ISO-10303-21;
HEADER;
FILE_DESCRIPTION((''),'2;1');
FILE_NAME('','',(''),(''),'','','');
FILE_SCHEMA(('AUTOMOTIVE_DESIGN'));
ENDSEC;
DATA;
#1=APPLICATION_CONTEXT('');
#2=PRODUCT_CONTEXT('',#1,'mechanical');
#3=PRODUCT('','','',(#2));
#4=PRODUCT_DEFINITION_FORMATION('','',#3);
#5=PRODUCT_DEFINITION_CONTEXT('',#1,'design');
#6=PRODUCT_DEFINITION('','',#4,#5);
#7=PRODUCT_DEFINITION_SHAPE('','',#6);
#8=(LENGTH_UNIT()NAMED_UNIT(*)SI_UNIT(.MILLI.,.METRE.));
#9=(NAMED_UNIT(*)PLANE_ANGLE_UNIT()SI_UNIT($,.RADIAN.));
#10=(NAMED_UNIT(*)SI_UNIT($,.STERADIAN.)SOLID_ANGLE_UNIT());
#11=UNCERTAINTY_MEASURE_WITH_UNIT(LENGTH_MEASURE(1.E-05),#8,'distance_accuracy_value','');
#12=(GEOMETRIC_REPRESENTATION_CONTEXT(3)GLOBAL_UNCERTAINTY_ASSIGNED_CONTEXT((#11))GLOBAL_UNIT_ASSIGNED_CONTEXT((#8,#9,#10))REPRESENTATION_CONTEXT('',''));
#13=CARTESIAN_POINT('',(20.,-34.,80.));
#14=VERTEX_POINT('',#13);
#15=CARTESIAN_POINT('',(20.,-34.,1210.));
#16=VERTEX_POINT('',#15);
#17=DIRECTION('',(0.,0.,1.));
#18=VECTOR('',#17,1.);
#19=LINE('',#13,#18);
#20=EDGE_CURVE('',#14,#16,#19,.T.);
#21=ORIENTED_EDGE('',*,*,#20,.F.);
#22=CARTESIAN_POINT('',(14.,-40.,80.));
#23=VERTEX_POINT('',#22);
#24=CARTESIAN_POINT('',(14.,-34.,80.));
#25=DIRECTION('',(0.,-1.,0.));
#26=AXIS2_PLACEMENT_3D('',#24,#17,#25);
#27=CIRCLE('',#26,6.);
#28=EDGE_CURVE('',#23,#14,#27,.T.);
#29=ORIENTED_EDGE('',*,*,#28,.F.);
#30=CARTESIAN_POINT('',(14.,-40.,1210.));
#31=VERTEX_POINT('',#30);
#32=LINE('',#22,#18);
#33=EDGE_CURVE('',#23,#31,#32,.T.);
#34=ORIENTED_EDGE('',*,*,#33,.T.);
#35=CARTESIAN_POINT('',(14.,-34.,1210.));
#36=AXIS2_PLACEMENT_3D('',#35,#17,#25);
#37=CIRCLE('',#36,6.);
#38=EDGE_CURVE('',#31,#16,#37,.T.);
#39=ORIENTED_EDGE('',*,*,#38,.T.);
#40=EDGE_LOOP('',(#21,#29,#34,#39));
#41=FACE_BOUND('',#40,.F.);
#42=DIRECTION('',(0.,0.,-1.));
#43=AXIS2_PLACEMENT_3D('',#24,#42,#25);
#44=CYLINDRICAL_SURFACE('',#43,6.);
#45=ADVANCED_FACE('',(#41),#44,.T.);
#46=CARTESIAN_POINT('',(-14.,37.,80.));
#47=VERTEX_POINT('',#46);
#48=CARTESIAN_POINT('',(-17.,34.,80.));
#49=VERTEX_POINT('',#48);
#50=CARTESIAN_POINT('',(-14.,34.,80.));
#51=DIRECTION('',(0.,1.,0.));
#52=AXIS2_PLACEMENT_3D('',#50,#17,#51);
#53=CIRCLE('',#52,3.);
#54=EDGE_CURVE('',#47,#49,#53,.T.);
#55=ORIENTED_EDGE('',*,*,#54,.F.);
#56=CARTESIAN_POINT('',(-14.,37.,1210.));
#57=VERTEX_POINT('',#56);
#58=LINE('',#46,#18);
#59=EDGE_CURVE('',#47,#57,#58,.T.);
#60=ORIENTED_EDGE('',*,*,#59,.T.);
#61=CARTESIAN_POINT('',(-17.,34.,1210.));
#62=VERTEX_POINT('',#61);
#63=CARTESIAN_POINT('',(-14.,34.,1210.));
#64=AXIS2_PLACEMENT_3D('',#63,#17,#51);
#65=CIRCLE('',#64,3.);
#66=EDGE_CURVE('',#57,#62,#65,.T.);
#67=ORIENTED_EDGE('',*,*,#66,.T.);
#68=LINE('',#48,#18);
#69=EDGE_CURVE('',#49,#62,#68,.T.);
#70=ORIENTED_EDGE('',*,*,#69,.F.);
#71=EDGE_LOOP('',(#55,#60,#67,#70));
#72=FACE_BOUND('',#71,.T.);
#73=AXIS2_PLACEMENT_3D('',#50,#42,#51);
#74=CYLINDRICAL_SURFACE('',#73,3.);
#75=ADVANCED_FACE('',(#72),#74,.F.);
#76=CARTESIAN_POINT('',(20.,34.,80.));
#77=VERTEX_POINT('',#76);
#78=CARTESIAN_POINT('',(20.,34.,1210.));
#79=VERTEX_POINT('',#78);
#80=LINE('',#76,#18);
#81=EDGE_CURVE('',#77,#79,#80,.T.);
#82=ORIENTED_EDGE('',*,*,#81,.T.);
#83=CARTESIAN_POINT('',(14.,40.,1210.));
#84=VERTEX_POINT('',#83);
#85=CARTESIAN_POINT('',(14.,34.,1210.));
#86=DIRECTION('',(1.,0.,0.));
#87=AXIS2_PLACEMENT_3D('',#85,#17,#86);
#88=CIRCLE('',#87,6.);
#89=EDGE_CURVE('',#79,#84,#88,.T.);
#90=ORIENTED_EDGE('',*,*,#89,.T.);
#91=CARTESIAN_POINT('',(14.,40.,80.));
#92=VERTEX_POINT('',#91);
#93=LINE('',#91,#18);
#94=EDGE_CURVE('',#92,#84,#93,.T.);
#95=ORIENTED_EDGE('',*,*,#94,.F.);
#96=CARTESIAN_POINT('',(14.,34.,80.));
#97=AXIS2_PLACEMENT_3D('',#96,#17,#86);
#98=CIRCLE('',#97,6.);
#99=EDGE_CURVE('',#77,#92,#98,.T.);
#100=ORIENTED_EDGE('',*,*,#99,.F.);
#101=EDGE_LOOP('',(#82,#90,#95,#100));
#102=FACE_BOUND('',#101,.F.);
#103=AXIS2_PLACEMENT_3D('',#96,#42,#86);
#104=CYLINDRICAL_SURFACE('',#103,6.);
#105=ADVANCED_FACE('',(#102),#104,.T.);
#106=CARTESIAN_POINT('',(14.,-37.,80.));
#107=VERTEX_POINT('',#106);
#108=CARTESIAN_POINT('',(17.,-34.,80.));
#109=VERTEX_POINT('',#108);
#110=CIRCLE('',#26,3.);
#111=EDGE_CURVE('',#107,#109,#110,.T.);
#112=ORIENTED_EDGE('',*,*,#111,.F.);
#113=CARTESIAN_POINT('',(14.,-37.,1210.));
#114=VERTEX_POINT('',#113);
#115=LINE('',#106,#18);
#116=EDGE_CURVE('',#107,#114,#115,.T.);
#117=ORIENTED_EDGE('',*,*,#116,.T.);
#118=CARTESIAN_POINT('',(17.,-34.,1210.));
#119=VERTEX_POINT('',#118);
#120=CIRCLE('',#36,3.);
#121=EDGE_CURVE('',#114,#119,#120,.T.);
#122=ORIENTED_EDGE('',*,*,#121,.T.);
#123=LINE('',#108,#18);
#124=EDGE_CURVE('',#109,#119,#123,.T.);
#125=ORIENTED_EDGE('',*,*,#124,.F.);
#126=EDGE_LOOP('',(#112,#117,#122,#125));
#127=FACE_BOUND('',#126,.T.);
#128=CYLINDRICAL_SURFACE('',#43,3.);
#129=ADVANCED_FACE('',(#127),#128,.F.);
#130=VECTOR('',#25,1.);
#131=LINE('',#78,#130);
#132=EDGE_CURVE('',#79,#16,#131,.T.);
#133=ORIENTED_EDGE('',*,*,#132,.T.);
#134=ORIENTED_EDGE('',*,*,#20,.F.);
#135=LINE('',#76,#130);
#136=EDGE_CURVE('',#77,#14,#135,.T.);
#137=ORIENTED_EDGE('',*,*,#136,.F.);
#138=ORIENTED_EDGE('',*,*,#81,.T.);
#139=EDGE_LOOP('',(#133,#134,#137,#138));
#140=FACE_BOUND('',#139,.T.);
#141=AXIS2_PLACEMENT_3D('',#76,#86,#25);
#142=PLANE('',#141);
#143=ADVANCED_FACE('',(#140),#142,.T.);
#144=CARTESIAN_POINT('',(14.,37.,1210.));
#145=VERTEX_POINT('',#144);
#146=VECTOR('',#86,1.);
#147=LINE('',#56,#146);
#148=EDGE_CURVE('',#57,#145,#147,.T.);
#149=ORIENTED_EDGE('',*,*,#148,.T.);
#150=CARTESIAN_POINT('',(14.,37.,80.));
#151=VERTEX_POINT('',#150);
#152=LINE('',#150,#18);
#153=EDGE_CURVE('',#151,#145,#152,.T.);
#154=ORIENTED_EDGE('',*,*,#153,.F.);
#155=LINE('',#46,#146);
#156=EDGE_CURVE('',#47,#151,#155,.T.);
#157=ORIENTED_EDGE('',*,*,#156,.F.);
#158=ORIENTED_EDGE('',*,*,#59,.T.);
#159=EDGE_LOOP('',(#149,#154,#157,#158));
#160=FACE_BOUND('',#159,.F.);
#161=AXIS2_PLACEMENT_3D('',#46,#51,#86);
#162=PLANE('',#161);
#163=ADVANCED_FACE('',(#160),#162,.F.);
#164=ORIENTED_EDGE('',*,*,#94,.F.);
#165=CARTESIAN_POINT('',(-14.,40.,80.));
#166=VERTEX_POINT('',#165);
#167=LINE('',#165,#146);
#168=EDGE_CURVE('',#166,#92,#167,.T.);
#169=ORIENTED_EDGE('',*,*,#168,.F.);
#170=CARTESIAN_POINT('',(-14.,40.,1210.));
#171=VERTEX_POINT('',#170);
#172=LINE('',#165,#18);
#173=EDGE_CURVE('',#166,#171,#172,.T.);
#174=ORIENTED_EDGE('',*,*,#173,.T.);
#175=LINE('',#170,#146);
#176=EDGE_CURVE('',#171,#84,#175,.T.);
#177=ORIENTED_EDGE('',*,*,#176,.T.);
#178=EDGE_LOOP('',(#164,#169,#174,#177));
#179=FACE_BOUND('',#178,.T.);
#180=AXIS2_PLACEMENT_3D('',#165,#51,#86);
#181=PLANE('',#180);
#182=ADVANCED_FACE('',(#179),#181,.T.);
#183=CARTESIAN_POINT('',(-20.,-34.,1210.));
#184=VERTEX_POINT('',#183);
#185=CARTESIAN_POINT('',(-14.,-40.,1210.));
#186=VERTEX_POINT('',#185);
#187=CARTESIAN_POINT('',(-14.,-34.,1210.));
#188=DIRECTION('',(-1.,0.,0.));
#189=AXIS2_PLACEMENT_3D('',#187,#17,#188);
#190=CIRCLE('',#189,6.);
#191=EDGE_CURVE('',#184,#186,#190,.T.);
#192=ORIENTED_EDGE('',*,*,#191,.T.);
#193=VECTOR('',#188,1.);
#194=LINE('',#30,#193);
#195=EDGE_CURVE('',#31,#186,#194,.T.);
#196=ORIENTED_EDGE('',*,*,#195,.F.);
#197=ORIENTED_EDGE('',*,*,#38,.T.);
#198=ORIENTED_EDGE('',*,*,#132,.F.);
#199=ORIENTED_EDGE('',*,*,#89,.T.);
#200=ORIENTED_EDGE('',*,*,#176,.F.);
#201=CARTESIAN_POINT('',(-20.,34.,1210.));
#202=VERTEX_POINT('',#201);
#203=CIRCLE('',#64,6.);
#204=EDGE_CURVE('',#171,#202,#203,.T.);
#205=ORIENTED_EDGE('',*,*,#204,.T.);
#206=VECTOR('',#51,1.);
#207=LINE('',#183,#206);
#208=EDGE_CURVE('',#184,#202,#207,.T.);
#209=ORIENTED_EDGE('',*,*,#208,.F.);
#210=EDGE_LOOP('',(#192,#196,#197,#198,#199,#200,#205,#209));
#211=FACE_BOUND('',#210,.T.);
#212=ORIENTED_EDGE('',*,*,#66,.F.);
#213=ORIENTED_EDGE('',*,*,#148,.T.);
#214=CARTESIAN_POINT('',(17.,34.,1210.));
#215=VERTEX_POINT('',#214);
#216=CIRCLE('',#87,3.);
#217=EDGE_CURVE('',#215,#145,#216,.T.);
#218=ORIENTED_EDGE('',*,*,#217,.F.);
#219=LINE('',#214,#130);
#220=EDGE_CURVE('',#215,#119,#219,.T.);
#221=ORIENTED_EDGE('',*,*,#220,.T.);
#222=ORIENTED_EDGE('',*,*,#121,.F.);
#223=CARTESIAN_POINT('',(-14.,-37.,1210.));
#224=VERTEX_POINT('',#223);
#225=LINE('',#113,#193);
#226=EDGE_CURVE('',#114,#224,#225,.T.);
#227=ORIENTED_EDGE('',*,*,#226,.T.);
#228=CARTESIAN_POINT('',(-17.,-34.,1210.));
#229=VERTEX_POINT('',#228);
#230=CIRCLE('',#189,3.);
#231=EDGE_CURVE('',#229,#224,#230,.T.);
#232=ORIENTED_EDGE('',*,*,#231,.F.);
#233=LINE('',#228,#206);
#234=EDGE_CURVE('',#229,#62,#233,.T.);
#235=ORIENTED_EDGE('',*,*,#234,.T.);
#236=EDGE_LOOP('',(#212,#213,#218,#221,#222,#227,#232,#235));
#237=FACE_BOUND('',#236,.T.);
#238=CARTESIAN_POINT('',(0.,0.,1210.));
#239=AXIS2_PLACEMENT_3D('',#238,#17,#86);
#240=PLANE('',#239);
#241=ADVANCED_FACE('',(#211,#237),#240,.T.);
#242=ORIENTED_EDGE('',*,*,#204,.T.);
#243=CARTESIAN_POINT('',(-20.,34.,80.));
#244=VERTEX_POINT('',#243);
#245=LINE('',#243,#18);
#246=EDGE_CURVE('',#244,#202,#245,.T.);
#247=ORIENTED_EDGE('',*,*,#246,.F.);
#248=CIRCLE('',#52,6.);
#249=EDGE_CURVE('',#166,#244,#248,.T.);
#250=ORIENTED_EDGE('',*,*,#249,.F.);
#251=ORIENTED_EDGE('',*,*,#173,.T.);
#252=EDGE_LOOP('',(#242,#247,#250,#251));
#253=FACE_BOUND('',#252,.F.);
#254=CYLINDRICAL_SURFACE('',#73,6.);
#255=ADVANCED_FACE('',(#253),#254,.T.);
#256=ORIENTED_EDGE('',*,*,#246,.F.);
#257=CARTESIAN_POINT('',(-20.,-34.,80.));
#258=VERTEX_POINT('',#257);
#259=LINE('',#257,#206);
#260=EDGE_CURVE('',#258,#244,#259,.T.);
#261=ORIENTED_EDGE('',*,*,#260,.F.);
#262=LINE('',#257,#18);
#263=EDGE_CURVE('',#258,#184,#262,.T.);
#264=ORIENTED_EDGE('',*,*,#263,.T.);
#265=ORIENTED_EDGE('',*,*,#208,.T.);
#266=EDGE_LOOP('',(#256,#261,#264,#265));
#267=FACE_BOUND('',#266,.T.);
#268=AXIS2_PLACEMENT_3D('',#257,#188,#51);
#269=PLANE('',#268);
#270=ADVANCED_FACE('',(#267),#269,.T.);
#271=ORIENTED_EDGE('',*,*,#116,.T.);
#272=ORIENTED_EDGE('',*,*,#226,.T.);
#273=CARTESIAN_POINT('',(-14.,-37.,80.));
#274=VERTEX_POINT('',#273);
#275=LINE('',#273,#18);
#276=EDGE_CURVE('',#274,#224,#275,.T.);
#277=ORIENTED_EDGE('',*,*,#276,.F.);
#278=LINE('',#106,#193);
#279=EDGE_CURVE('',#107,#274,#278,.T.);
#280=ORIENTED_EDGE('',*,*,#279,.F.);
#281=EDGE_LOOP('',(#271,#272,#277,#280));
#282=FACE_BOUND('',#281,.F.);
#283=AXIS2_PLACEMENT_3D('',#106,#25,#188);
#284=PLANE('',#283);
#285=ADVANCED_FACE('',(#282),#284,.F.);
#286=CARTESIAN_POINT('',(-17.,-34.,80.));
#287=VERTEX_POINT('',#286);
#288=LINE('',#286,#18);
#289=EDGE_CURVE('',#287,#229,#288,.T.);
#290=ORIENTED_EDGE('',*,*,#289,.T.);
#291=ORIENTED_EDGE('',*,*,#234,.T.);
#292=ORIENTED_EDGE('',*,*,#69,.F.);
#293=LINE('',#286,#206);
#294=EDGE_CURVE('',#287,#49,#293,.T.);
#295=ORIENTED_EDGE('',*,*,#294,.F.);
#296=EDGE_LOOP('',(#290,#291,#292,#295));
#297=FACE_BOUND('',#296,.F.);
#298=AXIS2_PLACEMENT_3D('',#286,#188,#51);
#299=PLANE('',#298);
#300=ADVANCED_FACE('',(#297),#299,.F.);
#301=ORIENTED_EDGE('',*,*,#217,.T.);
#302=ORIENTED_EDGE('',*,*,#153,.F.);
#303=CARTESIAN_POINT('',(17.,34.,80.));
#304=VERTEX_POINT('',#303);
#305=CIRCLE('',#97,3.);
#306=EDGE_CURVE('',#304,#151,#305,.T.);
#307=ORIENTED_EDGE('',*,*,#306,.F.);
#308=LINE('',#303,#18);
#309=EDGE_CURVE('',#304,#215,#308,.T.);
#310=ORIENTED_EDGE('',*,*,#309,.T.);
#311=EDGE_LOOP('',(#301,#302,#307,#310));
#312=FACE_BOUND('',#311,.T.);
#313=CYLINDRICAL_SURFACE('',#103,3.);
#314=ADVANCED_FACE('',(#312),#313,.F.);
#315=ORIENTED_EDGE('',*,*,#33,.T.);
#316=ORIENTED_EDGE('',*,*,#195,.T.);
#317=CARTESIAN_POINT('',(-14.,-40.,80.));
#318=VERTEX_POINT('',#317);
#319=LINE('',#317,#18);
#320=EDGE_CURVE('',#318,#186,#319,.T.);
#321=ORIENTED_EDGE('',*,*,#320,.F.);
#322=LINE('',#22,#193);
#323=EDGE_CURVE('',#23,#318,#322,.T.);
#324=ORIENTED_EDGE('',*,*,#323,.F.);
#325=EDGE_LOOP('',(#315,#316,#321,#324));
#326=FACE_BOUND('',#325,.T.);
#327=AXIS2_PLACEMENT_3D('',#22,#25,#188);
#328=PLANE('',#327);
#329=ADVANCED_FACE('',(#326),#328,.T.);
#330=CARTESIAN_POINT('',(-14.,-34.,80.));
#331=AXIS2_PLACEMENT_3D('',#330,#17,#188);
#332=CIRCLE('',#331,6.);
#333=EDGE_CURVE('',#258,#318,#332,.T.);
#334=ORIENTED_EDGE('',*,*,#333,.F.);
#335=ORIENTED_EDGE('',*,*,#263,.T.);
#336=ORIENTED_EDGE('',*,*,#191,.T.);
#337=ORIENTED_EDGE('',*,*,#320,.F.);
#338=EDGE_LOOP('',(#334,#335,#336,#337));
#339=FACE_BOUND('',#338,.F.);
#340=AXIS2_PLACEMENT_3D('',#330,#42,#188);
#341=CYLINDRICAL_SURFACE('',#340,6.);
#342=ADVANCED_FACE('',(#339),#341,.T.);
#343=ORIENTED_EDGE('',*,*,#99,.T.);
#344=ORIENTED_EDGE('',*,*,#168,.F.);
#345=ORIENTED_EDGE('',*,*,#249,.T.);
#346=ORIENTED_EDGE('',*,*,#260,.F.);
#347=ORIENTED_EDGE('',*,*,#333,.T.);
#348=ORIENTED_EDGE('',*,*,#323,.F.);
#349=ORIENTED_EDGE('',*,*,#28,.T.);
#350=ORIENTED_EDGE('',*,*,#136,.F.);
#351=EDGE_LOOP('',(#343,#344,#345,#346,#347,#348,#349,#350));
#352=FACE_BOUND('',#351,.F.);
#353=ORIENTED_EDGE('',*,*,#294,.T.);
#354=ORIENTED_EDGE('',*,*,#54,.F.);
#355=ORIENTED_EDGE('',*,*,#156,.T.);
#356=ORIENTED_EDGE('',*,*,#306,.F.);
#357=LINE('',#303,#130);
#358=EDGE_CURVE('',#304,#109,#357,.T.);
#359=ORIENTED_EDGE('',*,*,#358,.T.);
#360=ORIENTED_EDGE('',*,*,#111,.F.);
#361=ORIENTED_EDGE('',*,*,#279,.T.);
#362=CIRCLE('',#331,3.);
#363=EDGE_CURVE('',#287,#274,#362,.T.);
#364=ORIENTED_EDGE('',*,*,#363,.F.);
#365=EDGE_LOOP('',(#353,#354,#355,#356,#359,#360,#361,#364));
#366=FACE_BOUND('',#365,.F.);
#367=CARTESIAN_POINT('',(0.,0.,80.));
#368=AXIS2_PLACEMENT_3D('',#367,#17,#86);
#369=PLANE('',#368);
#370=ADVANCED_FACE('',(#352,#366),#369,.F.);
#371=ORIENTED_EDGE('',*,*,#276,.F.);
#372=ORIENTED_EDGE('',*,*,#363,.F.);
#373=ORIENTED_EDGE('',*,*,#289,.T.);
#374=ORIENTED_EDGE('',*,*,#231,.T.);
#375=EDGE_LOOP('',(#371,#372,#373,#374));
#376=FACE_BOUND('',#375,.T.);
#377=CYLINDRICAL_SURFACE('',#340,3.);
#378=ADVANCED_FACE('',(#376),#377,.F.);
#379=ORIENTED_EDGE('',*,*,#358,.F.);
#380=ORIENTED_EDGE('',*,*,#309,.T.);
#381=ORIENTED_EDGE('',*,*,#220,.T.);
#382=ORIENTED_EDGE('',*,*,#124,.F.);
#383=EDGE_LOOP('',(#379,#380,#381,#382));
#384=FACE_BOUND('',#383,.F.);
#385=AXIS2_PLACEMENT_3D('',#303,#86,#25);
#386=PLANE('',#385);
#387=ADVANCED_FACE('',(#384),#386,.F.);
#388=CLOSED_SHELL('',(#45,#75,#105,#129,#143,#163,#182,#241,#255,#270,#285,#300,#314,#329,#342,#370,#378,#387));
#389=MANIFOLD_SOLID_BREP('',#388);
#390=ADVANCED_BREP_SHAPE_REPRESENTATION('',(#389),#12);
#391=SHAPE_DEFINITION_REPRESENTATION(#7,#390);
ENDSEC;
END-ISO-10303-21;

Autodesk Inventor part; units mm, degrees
ref_plane "YZ Plane" through (0, 0, 0) normal (1, 0, 0) x (0, 1, 0)
ref_plane "Start Plane" through (0, 0, 80) normal (0, 0, 1) x (1, 0, 0)
ref_plane "End Plane" through (0, 0, 1210) normal (0, 0, 1) x (1, 0, 0)
sketch "Sketch" plane through (0, 0, 0) normal (0, 0, 1) x (1, 0, 0)
  line L0 (-20, -34) -> (-20, 34)
  line L1 (-14, 40) -> (14, 40)
  line L2 (20, 34) -> (20, -34)
  line L3 (14, -40) -> (-14, -40)
  arc A0 (-20, -34) -> (-14, -40) centre (-14, -34) ccw
  arc A1 (20, 34) -> (14, 40) centre (14, 34) ccw
  arc A2 (-14, 40) -> (-20, 34) centre (-14, 34) ccw
  arc A3 (14, -40) -> (20, -34) centre (14, -34) ccw
  arc A4 (-14, 37) -> (-17, 34) centre (-14, 34) ccw
  line L4 (-14, 37) -> (14, 37)
  arc A5 (17, 34) -> (14, 37) centre (14, 34) ccw
  line L5 (17, 34) -> (17, -34)
  arc A6 (14, -37) -> (17, -34) centre (14, -34) ccw
  line L6 (14, -37) -> (-14, -37)
  arc A7 (-17, -34) -> (-14, -37) centre (-14, -34) ccw
  line L7 (-17, -34) -> (-17, 34)
  line L8 (0, 57.7397) -> (0, -57.7397) construction
  line L9 (-29.7397, 0) -> (29.7397, 0) construction
  dimension "d7" = 6
  dimension "d9" = 40
  dimension "d11" = 80
  dimension "d12" = 3
  dimension "d15" = 20
  dimension "d16" = 40
extrude "Body" add sketch "Sketch" along normal up to surface (1130 mm away) from surface at 80
sketch "Sketch3" plane through (0, 0, 0) normal (0, 0, 1) x (1, 0, 0)
  line L0 (0, 0) -> (10, 0)
ref_plane "Work Plane3" through (0, 0, 0) normal (0, -1, 0) x (1, 0, 0)
sketch "Sketch4" plane through (0, 0, 0) normal (0, -1, 0) x (1, 0, 0)
  line L0 (-2, 80) -> (12, 80) projected
  line L1 (-2, 1210) -> (12, 1210) projected
  dimension "d18" = 1130
equation "\"d7\" = G_IR"
equation "\"d9\" = G_W"
equation "\"d11\" = G_H"
equation "\"d12\" = G_T"
equation "\"d15\" = 0.5 * d9"
equation "\"d16\" = 0.5 * d11"
equation "\"d3\" = G_L"
equation "\"G_W\" = 40"
equation "\"G_H\" = 80"
equation "\"G_T\" = 3"
equation "\"G_IR\" = 6"
equation "\"G_L\" = d18"
properties part number "ISO 10799-2 - 80x40x3 - 1130" material "Steel, Mild"
